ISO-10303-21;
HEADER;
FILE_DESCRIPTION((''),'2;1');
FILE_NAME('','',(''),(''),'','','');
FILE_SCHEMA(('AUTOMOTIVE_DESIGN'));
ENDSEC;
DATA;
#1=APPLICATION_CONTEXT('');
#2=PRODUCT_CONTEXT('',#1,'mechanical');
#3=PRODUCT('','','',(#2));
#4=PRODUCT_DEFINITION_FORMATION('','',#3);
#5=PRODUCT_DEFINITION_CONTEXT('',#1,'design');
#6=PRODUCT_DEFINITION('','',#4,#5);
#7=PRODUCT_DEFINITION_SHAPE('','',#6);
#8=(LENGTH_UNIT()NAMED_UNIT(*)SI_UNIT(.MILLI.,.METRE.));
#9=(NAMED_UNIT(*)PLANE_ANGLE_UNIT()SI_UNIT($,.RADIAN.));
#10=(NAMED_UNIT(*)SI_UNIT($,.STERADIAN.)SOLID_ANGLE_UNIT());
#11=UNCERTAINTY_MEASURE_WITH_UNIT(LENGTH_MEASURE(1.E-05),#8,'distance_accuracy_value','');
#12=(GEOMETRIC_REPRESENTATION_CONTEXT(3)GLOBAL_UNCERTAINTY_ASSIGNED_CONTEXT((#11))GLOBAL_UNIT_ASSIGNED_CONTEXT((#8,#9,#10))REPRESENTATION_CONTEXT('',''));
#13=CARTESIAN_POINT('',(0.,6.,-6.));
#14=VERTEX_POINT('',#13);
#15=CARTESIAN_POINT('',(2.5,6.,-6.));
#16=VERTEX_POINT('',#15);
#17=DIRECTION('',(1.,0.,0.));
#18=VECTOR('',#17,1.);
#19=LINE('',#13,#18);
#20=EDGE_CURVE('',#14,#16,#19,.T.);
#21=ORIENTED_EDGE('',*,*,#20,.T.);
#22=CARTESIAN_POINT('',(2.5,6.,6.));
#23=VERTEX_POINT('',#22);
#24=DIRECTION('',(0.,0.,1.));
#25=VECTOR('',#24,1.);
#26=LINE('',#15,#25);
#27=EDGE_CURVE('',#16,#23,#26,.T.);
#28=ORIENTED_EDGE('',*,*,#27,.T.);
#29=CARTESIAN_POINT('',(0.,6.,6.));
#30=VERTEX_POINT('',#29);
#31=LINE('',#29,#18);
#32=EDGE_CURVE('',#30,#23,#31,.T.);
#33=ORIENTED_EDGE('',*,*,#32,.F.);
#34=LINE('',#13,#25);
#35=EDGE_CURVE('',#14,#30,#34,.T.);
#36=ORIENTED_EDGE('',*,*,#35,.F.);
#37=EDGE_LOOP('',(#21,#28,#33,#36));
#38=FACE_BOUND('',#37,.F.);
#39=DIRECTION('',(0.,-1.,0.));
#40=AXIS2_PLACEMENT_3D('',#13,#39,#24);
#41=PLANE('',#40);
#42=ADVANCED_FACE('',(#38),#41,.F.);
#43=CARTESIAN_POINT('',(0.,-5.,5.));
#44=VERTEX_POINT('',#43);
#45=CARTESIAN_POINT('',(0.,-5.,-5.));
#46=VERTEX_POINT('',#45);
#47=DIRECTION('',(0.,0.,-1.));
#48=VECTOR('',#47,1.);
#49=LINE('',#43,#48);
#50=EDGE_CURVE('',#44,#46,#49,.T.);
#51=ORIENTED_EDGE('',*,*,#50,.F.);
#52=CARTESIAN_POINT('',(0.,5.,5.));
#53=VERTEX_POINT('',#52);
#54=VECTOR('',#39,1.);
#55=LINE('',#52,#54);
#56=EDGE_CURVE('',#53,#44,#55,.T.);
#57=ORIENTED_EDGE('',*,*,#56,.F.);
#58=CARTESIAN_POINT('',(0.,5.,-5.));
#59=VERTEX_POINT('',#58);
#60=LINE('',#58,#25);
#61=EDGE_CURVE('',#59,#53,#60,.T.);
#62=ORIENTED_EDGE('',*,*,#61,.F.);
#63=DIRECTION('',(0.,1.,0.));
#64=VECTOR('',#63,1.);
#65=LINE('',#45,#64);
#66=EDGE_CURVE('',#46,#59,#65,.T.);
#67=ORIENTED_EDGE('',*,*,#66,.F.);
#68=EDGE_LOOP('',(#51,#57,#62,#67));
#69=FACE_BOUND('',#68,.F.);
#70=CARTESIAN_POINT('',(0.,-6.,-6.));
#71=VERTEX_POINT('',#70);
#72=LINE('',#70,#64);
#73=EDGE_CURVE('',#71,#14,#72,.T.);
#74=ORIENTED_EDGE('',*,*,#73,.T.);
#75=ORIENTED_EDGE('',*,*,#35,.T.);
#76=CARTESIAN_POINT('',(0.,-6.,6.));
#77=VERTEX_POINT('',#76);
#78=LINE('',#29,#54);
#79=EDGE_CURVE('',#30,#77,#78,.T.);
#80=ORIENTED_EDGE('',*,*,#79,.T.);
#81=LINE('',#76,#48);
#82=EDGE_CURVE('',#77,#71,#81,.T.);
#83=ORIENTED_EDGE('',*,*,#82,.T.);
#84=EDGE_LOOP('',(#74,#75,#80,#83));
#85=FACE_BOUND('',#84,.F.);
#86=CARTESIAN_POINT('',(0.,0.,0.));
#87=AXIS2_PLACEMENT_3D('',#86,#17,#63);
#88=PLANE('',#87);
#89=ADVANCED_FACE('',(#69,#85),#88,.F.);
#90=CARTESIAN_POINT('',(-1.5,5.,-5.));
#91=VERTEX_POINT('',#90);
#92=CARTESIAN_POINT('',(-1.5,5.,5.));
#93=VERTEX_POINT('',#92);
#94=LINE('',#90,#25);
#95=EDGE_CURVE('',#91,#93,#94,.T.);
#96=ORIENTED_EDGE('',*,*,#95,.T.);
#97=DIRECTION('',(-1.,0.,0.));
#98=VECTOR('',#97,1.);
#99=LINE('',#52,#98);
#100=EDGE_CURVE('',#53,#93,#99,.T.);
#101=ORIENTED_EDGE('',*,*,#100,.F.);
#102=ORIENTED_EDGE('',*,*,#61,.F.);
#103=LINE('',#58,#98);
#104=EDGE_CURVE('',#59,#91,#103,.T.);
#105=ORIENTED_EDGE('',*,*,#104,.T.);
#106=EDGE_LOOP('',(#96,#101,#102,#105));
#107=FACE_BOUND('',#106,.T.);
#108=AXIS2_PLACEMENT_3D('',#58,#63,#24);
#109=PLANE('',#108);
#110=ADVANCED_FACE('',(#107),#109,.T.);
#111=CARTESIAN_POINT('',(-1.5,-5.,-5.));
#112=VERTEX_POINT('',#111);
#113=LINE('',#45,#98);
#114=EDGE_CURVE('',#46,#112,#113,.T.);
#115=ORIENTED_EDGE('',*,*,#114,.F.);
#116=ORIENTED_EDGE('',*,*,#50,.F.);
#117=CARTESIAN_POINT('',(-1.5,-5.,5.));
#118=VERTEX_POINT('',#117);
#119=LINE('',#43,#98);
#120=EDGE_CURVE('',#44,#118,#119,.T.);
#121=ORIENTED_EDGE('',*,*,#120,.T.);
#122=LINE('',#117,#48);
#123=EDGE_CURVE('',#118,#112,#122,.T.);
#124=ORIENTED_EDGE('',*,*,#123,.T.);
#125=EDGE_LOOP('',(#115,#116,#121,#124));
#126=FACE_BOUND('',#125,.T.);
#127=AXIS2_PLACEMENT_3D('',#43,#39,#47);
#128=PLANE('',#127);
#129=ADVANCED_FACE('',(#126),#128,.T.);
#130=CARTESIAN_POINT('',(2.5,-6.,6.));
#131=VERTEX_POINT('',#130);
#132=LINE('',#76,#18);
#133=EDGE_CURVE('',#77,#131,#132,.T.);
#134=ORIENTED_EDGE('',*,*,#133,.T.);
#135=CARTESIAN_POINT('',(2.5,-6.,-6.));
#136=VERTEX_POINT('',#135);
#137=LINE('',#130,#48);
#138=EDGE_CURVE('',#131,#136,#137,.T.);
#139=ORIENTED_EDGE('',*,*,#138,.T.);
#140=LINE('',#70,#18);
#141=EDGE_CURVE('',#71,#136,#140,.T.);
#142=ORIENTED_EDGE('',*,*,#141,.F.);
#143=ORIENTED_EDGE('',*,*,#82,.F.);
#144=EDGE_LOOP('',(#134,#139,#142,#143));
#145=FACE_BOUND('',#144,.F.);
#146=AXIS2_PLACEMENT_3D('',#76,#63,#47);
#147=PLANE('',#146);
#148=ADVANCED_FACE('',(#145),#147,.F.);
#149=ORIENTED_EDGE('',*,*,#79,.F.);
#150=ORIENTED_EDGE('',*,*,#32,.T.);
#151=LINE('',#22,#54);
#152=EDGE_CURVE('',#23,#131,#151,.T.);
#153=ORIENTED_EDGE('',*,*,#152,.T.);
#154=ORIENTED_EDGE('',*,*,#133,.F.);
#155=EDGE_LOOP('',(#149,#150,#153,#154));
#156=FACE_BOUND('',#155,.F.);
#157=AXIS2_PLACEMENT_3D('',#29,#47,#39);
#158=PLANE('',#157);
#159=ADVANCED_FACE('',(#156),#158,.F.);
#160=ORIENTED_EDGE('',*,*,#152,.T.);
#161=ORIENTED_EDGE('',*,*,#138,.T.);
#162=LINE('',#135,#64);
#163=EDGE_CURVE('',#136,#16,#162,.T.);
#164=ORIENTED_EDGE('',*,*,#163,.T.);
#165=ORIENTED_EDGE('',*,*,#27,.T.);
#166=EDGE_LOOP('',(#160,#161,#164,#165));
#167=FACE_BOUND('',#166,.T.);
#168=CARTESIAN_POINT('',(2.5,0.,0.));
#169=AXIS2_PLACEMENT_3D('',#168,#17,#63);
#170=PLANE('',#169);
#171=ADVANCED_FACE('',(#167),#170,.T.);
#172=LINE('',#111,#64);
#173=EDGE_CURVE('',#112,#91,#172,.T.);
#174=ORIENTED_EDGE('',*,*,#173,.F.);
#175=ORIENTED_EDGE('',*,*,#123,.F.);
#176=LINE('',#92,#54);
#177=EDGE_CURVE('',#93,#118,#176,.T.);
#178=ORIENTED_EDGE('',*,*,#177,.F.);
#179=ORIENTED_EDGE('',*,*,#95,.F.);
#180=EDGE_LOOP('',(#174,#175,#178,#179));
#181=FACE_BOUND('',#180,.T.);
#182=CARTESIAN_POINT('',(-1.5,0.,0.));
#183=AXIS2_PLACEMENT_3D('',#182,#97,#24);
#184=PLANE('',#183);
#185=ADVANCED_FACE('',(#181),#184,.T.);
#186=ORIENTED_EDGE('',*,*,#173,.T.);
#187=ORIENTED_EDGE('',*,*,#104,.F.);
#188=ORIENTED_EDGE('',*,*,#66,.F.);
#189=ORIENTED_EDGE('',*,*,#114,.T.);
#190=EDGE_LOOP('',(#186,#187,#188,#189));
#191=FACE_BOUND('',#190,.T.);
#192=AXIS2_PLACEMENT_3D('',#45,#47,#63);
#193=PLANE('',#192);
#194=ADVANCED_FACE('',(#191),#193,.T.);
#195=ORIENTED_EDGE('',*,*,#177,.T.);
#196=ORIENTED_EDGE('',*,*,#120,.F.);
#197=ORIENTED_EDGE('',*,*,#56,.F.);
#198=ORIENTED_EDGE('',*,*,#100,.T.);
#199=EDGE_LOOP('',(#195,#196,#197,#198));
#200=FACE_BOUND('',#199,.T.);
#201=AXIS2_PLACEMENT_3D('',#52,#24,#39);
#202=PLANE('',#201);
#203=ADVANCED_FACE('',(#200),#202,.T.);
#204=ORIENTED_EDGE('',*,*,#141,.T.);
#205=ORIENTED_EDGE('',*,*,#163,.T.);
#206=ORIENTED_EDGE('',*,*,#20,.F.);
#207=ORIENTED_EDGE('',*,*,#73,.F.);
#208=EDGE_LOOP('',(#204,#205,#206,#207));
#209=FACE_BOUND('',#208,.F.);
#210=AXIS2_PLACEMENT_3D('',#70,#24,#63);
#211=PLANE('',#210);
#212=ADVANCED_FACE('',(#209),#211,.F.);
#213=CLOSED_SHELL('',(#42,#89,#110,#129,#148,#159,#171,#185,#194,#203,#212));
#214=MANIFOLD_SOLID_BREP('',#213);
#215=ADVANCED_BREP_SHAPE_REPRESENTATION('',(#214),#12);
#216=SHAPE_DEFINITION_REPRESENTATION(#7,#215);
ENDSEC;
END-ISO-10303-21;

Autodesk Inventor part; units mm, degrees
ref_plane "YZ Plane" through (0, 0, 0) normal (1, 0, 0) x (0, 1, 0)
ref_plane "XZ Plane" through (0, 0, 0) normal (0, 1, 0) x (-1, 0, 0)
ref_plane "XY Plane" through (0, 0, 0) normal (0, 0, 1) x (1, 0, 0)
sketch "Sketch1" plane through (0, 0, 0) normal (1, 0, 0) x (0, 1, 0)
  line L0 (-6, -6) -> (6, -6)
  line L1 (6, -6) -> (6, 6)
  line L2 (6, 6) -> (-6, 6)
  line L3 (-6, 6) -> (-6, -6)
  line L4 (-6, -6) -> (6, 6) construction
  line L5 (6, -6) -> (-6, 6) construction
  point P0 (0, 0)
  dimension "d0" = 12
  dimension "d1" = 12
extrude "Extrusion1" add sketch "Sketch1" along normal blind 2.5
sketch "Sketch2" plane through (0, 0, 0) normal (-1, 0, 0) x (0, 0, 1)
  line L0 (5, -5) -> (-5, -5)
  line L1 (-5, -5) -> (-5, 5)
  line L2 (-5, 5) -> (5, 5)
  line L3 (5, 5) -> (5, -5)
  line L4 (5, -5) -> (-5, 5) construction
  line L5 (-5, -5) -> (5, 5) construction
  point P0 (0, 0)
  dimension "d4" = 10
  dimension "d5" = 10
extrude "Extrusion2" add sketch "Sketch2" along normal blind 1.5
properties part number "Cuvette_Lid" material "ABS Plastic"
